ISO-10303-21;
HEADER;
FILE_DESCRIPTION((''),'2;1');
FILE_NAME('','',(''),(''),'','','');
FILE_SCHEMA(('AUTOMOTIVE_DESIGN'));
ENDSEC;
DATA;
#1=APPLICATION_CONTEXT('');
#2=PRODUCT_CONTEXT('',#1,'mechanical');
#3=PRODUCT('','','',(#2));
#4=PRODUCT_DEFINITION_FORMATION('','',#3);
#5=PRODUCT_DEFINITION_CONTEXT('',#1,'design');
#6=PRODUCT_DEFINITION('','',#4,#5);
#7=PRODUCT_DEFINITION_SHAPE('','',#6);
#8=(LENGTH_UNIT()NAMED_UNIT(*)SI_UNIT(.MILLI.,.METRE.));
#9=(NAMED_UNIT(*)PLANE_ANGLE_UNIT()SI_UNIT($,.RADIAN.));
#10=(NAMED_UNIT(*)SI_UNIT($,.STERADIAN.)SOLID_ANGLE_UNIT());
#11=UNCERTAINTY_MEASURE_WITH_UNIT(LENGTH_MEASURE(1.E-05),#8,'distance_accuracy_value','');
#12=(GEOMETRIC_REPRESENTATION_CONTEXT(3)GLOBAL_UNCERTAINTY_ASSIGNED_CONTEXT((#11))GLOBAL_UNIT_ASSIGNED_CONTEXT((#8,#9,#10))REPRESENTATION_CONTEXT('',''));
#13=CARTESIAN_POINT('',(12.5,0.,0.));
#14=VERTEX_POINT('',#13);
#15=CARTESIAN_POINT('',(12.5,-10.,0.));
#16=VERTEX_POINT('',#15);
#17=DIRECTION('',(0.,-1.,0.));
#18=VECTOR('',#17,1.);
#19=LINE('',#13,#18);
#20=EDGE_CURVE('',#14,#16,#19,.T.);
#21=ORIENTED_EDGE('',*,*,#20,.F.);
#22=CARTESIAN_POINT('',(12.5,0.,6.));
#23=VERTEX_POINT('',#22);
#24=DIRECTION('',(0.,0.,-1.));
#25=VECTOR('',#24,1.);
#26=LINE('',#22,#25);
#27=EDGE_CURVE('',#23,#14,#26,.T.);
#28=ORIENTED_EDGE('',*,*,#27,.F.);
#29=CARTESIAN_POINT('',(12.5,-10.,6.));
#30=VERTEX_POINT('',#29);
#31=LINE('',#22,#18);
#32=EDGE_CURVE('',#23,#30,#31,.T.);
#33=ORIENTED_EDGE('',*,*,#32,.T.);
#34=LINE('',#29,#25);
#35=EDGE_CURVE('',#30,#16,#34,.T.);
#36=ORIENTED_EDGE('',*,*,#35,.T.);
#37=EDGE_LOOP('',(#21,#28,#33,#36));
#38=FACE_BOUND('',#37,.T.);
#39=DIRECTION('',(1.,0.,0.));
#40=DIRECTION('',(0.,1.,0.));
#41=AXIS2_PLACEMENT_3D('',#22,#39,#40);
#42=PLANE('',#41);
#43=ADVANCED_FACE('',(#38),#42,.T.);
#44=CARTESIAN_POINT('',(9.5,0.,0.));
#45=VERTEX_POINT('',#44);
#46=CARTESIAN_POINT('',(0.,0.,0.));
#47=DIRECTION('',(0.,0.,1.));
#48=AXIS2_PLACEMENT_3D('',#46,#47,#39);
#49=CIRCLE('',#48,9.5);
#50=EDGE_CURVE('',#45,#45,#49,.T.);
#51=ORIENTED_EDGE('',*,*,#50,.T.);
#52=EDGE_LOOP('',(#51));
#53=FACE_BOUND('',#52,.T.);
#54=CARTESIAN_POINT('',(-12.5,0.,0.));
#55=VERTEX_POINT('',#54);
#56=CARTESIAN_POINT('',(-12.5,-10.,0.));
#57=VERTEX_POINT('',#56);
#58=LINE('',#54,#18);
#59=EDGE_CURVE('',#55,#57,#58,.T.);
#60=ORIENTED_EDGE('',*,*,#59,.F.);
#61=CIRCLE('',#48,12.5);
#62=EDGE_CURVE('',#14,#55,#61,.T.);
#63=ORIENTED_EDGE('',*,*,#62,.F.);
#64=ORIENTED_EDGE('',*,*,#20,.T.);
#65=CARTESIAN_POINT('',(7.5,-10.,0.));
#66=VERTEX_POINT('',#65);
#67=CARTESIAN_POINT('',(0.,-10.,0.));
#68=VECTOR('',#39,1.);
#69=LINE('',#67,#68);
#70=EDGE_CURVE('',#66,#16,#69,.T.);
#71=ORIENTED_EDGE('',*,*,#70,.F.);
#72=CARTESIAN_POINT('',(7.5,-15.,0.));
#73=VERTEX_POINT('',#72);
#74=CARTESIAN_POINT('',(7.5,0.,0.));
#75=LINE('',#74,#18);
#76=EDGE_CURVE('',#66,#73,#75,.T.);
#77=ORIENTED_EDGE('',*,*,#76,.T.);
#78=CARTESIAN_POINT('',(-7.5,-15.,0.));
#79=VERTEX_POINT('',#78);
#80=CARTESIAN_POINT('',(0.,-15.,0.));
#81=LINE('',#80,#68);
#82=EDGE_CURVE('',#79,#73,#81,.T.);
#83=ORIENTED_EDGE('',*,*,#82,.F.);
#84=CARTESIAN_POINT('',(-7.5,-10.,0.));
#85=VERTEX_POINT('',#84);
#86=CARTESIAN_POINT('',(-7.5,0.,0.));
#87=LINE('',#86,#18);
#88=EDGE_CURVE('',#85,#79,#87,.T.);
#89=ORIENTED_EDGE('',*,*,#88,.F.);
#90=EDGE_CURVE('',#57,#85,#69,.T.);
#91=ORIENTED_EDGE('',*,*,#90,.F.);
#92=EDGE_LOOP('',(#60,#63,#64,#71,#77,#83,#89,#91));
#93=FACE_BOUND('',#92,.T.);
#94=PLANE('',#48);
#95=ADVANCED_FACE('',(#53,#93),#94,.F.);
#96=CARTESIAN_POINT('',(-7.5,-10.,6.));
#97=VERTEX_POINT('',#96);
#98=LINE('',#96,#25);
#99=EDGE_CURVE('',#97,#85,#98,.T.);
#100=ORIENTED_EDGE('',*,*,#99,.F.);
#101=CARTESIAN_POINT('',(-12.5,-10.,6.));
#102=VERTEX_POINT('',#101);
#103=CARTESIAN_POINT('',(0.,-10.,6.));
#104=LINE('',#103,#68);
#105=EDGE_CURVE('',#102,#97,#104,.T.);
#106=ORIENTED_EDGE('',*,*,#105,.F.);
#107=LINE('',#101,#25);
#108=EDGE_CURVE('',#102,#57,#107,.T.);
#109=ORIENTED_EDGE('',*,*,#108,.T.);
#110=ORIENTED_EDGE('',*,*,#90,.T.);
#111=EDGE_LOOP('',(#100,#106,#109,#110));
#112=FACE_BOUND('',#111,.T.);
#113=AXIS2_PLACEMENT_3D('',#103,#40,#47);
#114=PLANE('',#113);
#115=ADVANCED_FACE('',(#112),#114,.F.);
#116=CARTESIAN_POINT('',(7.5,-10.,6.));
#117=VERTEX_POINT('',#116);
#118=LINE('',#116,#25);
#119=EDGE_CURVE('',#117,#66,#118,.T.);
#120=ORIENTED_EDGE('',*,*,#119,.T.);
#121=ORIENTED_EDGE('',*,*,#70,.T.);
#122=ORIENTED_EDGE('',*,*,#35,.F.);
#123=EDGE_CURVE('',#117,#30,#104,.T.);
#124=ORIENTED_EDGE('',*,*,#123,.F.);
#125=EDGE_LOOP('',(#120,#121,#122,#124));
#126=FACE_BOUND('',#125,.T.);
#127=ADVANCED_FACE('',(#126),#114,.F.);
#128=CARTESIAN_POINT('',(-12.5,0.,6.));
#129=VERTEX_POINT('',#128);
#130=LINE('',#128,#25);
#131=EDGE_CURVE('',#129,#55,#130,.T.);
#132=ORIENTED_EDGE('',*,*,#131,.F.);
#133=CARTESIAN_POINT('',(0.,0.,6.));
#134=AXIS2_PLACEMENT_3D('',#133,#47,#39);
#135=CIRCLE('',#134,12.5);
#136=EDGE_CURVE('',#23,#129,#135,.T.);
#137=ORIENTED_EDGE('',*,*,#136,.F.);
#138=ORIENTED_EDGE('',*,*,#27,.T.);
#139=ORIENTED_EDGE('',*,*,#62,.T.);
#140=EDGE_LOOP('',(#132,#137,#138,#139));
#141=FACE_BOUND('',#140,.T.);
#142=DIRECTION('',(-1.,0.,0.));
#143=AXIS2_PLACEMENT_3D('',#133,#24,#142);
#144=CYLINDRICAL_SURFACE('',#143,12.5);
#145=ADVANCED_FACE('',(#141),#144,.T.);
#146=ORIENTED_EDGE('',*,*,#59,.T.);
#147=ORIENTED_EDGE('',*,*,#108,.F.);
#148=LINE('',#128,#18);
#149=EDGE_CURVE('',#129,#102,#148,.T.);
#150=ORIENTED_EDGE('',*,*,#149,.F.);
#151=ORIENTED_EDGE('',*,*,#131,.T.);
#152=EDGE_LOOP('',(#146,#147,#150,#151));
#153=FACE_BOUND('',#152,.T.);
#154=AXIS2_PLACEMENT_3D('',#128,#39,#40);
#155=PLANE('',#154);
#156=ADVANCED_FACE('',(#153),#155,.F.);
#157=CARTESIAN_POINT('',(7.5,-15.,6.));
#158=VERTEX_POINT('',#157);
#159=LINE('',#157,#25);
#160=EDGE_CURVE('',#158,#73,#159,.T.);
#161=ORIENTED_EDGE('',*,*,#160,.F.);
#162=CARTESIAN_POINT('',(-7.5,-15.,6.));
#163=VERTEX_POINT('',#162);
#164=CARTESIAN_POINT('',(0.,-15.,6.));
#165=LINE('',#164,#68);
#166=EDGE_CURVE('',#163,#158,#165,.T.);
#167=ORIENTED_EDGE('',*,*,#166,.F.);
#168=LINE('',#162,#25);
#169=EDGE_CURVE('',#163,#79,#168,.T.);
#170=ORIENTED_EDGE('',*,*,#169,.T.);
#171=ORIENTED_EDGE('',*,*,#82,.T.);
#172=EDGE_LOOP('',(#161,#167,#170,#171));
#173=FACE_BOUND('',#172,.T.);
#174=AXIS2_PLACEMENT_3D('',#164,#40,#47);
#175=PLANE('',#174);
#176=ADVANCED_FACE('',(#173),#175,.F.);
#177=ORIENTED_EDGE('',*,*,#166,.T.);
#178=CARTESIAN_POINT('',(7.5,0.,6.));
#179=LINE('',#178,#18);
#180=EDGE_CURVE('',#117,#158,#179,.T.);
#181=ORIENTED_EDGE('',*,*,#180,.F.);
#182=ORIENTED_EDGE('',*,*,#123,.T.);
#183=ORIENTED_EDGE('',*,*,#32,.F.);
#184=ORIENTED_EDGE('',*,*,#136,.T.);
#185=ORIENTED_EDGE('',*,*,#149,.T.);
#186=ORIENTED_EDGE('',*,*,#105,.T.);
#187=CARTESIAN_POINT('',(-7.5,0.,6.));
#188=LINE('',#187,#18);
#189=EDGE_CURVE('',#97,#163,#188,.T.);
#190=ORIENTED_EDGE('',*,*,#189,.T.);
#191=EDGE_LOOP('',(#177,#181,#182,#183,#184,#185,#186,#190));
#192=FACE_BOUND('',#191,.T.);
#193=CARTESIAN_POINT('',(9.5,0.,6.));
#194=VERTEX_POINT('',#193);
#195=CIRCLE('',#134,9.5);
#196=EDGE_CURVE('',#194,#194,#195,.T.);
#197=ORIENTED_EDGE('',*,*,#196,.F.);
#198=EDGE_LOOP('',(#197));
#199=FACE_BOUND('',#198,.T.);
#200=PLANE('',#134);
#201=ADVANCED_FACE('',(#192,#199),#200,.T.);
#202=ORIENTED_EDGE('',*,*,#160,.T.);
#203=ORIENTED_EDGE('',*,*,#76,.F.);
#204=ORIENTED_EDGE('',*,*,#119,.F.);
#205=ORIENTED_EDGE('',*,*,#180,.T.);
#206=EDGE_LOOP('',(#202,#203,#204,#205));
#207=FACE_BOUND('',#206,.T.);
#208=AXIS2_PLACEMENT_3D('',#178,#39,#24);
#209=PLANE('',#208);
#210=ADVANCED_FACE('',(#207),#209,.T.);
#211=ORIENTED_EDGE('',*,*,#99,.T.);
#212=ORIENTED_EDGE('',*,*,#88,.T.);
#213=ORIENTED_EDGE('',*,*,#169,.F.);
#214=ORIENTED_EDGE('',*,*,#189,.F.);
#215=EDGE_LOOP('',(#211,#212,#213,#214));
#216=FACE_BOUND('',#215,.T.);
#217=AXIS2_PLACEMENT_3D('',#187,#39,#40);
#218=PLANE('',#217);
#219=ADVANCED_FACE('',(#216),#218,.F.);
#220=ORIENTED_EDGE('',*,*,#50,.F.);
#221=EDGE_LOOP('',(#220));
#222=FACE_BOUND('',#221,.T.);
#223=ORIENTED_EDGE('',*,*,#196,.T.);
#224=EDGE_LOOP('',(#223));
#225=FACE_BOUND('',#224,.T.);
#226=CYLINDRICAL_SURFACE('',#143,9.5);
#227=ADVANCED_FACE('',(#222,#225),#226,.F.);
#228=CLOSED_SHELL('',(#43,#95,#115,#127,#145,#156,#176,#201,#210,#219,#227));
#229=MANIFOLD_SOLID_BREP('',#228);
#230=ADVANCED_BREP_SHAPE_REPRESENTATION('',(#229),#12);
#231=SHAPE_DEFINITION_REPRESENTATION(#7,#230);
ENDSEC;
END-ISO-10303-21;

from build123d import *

# Parameters (mm, degrees)
CROQUIS1_R              = 9.5
CROQUIS1_W              = 15
CROQUIS1_H              = 5
SALIENTE_EXTRUIR1_DEPTH = 6


with BuildPart() as part:
    # Croquis1 → Saliente-Extruir1 (new body)
    # profile 1 of 2: a face of its own
    with BuildSketch(Plane.XY):
        with BuildLine():
            Line((-12.5, 0), (-12.5, -10))
            Line((-12.5, -10), (-7.5, -10))
            Line((-7.5, -10), (7.5, -10))
            Line((7.5, -10), (12.5, -10))
            Line((12.5, -10), (12.5, 0))
            ThreePointArc((12.5, 0), (0, 12.5), (-12.5, 0))
        make_face()
        Circle(CROQUIS1_R, mode=Mode.SUBTRACT)
    # profile 2 of 2: a face of its own
    with BuildSketch(Plane.XY):
        with Locations((0, -12.5)):
            Rectangle(CROQUIS1_W, CROQUIS1_H)
    extrude(amount=SALIENTE_EXTRUIR1_DEPTH)


solid = part.part
